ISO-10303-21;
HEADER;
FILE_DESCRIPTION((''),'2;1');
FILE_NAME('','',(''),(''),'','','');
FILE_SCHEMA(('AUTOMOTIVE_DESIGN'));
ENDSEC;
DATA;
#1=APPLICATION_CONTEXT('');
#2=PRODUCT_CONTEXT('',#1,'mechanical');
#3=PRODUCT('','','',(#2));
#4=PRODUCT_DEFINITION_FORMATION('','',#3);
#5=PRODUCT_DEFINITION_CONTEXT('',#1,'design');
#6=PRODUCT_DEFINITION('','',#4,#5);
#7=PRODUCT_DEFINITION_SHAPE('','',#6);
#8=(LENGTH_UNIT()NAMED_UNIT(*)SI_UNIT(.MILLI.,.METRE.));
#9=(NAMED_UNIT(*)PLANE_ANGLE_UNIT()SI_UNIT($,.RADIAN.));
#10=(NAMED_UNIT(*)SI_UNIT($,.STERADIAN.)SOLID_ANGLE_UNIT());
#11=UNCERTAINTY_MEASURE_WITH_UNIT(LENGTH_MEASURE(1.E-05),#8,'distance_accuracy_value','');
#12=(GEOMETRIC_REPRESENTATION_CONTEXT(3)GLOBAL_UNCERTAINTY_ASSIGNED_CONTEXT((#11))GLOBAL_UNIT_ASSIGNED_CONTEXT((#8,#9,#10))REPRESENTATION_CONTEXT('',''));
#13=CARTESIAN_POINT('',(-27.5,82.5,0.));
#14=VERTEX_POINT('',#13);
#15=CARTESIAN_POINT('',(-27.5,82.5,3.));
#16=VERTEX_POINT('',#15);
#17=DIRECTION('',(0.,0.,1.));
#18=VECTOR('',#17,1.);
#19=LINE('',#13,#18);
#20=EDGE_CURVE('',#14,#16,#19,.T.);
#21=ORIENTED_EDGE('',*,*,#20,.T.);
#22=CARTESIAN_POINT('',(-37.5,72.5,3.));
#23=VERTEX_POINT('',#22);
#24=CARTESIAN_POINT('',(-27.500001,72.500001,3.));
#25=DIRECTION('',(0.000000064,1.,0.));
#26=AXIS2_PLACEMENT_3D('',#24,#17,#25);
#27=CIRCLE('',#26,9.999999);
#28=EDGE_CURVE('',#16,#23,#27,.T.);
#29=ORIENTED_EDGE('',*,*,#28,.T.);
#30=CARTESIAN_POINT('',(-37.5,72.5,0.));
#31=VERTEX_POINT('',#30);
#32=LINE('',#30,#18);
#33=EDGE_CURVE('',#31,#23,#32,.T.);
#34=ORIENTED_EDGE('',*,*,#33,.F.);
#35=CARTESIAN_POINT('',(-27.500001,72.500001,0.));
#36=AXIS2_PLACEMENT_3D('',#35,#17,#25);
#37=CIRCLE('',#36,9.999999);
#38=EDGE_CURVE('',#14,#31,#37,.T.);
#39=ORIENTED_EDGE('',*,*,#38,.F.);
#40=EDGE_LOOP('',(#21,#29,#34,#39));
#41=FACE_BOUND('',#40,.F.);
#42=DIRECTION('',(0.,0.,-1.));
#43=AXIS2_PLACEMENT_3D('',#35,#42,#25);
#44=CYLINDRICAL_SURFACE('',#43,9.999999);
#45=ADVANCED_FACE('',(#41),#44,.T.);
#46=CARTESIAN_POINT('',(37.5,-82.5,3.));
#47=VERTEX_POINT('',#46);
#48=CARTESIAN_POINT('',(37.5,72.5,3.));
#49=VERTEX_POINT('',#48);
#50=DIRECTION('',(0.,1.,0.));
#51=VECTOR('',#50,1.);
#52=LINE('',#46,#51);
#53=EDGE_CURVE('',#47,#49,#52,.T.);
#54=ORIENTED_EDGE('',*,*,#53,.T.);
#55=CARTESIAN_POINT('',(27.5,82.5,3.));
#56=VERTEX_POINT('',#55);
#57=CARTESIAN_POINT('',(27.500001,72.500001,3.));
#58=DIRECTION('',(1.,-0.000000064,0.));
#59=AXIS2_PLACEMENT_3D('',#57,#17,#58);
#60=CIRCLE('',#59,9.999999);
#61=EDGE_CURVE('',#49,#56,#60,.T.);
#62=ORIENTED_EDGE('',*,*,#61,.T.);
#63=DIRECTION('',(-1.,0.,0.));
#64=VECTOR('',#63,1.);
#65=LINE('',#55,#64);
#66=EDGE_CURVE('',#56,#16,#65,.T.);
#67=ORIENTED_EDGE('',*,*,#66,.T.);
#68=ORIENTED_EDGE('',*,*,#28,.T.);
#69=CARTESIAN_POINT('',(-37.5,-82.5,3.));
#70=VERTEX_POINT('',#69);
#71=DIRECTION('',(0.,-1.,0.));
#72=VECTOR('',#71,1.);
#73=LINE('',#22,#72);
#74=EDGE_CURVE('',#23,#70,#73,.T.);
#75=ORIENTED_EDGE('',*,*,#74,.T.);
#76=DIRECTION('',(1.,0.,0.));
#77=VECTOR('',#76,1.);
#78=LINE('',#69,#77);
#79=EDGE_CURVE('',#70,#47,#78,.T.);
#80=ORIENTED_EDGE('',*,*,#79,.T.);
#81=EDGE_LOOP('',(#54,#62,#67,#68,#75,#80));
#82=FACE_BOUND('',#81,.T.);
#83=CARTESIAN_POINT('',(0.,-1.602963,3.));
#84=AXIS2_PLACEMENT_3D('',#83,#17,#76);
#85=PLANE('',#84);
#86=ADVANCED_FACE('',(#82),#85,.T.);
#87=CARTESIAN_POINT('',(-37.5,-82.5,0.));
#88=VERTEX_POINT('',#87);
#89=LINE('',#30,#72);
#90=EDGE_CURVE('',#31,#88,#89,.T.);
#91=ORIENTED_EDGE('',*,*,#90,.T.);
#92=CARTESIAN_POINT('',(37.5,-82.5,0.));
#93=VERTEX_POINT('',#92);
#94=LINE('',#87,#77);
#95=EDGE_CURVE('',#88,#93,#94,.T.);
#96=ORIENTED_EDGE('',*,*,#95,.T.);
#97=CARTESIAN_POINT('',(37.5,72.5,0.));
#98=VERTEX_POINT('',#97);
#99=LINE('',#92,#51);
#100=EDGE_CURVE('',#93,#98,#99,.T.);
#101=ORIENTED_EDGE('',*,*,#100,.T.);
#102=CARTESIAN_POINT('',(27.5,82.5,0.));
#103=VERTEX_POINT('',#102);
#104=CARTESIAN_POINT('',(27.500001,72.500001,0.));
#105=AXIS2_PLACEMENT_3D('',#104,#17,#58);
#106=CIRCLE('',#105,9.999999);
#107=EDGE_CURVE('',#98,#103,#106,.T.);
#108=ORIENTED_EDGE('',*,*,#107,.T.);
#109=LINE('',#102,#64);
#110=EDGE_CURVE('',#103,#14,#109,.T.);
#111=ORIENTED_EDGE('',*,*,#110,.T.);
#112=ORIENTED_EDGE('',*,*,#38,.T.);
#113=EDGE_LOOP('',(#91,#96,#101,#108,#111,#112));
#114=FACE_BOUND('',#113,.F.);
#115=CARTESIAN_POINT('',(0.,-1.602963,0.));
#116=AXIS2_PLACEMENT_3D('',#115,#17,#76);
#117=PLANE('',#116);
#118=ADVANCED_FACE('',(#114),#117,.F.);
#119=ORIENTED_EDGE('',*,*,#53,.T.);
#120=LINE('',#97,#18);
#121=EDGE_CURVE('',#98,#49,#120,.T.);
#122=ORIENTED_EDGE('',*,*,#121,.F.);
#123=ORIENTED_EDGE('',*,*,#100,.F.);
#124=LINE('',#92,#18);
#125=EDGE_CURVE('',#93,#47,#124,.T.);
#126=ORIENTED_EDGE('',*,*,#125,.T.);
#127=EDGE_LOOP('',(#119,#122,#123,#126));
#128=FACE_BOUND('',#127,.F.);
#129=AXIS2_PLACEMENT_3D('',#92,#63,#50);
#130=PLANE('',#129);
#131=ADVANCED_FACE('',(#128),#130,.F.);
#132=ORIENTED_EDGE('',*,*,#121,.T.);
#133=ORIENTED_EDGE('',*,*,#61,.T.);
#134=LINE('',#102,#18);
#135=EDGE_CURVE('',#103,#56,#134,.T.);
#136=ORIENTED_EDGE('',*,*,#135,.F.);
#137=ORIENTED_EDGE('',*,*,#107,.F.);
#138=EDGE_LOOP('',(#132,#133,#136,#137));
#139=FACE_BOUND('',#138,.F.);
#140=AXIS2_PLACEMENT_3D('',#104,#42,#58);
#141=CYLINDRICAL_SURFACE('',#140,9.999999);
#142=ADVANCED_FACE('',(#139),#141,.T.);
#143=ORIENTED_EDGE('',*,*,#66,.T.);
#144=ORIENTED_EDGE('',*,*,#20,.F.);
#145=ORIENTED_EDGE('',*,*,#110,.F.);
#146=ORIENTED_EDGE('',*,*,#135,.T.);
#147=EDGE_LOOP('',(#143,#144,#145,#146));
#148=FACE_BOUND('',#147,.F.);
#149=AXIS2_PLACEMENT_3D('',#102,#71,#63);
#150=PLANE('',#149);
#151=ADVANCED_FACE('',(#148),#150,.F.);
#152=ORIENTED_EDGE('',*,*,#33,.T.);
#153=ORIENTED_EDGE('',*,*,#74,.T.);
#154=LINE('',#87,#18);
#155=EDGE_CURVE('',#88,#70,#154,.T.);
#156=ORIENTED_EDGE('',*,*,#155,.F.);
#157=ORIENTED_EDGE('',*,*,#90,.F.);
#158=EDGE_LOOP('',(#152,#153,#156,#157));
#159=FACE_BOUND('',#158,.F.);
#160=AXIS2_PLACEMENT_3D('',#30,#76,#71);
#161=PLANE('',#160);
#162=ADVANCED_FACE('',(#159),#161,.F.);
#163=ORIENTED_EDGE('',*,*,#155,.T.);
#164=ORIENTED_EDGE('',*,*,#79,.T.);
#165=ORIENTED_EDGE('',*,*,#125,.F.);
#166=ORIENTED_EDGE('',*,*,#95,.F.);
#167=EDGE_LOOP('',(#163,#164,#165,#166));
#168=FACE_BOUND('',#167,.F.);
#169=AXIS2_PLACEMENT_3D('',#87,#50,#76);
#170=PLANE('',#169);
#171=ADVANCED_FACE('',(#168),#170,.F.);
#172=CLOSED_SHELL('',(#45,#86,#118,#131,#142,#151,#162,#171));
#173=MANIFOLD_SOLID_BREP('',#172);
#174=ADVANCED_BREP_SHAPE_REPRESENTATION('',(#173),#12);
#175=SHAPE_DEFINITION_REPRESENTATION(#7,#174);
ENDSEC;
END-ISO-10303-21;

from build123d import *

# Parameters (mm, degrees)
F1_DEPTH = 3


with BuildPart() as f1:
    # F0 (on Top) → F1 (new body)
    with BuildSketch(Plane.XY):
        with BuildLine():
            ThreePointArc((37.5, 72.5), (34.571068, 79.571068), (27.5, 82.5))
            Line((27.5, 82.5), (-27.5, 82.5))
            ThreePointArc((-27.5, 82.5), (-34.571068, 79.571068), (-37.5, 72.5))
            Line((-37.5, 72.5), (-37.5, -82.5))
            Line((-37.5, -82.5), (37.5, -82.5))
            Line((37.5, -82.5), (37.5, 72.5))
        make_face()
    extrude(amount=F1_DEPTH)


solid = f1.part
